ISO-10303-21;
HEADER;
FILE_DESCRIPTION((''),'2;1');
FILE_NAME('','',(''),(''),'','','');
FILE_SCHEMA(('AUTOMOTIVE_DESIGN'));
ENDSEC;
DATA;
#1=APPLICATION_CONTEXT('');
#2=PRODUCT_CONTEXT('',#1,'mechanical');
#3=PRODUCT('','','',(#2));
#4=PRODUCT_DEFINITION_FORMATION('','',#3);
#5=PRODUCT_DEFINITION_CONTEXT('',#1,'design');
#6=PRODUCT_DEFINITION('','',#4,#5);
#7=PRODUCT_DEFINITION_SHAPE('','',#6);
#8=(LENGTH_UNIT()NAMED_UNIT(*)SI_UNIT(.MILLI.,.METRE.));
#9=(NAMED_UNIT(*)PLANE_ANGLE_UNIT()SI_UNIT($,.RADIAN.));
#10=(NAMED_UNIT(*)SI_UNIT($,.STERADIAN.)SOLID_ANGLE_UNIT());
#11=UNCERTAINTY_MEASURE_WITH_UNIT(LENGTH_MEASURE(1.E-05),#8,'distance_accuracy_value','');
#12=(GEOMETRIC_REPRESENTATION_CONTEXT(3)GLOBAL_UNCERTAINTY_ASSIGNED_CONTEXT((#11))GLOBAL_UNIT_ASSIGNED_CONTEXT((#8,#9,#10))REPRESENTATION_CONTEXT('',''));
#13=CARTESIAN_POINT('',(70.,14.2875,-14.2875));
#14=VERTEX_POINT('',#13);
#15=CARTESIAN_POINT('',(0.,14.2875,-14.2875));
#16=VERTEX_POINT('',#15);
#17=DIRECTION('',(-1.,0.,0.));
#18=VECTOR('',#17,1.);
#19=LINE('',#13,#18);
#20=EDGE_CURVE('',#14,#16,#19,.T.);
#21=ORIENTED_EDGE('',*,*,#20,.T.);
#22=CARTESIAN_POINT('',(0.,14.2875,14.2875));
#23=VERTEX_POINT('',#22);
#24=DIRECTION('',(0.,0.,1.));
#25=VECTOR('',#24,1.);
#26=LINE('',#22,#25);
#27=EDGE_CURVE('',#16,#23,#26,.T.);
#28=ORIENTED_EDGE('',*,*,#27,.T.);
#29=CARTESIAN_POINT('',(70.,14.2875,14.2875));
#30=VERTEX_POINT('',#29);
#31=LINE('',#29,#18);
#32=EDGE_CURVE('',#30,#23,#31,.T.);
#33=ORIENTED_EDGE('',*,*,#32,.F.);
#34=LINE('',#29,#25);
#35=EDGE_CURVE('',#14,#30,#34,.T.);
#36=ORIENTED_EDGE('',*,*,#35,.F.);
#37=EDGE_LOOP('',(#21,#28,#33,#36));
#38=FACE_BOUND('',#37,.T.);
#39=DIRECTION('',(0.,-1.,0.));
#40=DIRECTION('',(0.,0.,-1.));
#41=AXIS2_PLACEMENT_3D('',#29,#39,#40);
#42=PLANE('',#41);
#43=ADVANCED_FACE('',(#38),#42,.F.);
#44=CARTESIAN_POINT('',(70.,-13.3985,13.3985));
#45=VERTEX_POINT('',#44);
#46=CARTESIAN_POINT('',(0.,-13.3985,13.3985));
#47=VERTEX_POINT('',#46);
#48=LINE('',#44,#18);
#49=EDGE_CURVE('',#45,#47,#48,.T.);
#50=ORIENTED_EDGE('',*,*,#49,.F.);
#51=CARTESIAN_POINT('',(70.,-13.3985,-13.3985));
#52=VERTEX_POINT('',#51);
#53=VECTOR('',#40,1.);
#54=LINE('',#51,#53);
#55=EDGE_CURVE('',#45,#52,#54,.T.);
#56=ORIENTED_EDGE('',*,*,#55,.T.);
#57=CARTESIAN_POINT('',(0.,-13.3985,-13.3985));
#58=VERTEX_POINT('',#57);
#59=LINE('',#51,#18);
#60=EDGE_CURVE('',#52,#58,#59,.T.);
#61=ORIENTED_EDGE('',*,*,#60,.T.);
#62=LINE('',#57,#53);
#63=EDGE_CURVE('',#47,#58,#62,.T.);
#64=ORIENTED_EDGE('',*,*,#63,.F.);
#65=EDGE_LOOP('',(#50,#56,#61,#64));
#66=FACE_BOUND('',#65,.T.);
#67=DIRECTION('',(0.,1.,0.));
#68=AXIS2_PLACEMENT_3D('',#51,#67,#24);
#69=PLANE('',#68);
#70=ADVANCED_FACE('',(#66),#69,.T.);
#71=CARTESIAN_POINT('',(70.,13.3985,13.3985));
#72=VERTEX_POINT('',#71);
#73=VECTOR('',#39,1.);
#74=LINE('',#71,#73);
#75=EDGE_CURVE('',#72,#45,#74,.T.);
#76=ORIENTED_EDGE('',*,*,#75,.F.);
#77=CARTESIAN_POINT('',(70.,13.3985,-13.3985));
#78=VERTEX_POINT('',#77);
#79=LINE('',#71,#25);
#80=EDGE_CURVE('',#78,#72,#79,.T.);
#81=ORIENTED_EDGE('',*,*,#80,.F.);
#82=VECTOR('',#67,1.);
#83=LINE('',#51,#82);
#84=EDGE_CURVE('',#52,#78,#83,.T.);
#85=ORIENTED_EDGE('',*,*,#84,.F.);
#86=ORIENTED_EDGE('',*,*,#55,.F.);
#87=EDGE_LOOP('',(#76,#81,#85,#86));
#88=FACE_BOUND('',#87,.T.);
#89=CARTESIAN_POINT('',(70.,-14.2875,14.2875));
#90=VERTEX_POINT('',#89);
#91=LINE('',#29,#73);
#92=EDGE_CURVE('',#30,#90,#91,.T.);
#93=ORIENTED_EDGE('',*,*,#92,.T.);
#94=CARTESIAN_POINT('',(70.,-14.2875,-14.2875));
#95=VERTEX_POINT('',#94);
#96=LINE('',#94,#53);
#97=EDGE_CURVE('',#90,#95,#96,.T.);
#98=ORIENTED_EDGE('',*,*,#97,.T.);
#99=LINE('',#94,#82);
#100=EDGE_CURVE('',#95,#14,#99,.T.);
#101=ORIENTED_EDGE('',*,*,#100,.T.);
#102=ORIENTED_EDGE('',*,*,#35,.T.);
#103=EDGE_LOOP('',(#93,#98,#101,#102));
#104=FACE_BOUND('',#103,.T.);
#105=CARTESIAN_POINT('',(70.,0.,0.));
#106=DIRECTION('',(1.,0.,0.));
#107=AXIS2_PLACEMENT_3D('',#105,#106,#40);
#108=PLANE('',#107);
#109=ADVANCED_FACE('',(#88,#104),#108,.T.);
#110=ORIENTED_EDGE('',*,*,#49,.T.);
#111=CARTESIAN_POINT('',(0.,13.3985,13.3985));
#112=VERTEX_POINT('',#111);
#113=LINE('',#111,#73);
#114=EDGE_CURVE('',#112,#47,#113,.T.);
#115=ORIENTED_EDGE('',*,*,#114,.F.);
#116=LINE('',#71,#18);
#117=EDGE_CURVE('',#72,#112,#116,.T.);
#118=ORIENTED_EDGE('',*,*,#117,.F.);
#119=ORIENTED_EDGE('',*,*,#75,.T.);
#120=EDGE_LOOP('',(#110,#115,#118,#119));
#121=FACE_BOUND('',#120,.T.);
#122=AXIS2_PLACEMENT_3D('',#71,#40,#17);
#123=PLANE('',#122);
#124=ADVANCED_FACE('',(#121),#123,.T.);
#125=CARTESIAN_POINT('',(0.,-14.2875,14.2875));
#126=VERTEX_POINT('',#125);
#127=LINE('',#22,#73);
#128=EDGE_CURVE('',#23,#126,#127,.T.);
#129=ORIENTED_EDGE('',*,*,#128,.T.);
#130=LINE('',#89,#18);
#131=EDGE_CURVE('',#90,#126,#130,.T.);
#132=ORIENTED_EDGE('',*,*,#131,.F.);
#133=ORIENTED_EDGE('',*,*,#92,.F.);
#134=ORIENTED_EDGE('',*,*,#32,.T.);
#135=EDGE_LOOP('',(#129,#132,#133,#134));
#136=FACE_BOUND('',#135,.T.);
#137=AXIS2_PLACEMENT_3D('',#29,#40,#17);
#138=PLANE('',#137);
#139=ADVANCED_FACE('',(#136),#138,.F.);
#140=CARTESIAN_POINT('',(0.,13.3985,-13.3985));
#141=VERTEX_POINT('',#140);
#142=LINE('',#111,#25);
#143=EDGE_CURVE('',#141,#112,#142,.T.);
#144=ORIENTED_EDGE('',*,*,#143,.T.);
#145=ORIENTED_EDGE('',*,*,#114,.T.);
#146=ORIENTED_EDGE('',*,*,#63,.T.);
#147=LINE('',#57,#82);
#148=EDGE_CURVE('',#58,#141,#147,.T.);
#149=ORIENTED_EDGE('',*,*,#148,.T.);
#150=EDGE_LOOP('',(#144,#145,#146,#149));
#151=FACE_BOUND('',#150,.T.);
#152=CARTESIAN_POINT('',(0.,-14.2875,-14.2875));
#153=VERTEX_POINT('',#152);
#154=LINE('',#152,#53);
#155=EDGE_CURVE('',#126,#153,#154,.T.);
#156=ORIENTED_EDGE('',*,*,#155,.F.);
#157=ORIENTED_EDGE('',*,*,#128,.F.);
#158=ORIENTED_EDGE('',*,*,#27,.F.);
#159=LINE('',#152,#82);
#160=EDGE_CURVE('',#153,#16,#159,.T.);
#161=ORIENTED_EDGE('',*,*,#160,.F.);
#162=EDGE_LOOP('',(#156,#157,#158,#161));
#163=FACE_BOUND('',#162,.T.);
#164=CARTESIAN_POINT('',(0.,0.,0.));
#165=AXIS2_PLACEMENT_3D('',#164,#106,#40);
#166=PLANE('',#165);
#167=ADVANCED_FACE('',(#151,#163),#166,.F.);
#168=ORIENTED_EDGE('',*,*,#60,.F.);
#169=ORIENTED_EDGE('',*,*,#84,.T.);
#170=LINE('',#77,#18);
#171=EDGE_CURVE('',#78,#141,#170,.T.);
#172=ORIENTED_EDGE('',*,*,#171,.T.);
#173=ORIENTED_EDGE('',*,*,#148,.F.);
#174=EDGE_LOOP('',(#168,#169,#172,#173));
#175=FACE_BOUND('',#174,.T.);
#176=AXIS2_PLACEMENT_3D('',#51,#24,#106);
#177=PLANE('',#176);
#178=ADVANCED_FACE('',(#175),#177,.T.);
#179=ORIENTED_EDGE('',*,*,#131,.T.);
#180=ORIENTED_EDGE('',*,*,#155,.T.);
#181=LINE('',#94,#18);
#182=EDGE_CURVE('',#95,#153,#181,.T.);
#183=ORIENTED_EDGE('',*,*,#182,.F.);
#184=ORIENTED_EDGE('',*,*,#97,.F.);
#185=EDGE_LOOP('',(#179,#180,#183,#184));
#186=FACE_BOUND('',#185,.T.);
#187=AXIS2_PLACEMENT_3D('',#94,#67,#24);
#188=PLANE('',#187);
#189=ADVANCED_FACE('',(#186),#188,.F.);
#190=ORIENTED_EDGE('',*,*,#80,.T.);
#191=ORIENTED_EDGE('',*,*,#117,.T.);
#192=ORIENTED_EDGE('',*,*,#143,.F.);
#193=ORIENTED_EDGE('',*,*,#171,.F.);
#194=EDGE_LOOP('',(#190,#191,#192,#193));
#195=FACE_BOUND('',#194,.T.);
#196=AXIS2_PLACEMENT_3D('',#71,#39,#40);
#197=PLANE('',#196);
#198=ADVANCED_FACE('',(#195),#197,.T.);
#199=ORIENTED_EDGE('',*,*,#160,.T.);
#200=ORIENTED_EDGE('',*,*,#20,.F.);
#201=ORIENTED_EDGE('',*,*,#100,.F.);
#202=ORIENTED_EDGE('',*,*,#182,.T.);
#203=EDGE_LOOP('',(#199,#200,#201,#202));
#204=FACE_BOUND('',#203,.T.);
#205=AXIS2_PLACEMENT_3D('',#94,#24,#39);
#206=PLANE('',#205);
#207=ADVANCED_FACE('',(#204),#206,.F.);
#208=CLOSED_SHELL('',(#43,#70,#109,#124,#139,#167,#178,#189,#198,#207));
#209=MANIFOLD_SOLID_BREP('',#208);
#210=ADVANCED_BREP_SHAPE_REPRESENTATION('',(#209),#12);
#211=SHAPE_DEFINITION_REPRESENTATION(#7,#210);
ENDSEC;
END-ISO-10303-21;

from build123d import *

# Parameters (mm, degrees)
SKETCH11_W                                 = 28.575
SKETCH11_H                                 = 28.575
SKETCH11_W_2                               = 26.797
SKETCH11_H_2                               = 26.797
AL_TUBE_SQUARE_1_125_SQ_X_035_WALL_3_DEPTH = 70


with BuildPart() as part:
    # Sketch11 → Al tube (square) 1.125 SQ X .035 WALL(3) (new body)
    with BuildSketch(Plane.YZ):
        Rectangle(SKETCH11_W, SKETCH11_H)
        Rectangle(SKETCH11_W_2, SKETCH11_H_2, mode=Mode.SUBTRACT)
    extrude(amount=AL_TUBE_SQUARE_1_125_SQ_X_035_WALL_3_DEPTH)


solid = part.part
